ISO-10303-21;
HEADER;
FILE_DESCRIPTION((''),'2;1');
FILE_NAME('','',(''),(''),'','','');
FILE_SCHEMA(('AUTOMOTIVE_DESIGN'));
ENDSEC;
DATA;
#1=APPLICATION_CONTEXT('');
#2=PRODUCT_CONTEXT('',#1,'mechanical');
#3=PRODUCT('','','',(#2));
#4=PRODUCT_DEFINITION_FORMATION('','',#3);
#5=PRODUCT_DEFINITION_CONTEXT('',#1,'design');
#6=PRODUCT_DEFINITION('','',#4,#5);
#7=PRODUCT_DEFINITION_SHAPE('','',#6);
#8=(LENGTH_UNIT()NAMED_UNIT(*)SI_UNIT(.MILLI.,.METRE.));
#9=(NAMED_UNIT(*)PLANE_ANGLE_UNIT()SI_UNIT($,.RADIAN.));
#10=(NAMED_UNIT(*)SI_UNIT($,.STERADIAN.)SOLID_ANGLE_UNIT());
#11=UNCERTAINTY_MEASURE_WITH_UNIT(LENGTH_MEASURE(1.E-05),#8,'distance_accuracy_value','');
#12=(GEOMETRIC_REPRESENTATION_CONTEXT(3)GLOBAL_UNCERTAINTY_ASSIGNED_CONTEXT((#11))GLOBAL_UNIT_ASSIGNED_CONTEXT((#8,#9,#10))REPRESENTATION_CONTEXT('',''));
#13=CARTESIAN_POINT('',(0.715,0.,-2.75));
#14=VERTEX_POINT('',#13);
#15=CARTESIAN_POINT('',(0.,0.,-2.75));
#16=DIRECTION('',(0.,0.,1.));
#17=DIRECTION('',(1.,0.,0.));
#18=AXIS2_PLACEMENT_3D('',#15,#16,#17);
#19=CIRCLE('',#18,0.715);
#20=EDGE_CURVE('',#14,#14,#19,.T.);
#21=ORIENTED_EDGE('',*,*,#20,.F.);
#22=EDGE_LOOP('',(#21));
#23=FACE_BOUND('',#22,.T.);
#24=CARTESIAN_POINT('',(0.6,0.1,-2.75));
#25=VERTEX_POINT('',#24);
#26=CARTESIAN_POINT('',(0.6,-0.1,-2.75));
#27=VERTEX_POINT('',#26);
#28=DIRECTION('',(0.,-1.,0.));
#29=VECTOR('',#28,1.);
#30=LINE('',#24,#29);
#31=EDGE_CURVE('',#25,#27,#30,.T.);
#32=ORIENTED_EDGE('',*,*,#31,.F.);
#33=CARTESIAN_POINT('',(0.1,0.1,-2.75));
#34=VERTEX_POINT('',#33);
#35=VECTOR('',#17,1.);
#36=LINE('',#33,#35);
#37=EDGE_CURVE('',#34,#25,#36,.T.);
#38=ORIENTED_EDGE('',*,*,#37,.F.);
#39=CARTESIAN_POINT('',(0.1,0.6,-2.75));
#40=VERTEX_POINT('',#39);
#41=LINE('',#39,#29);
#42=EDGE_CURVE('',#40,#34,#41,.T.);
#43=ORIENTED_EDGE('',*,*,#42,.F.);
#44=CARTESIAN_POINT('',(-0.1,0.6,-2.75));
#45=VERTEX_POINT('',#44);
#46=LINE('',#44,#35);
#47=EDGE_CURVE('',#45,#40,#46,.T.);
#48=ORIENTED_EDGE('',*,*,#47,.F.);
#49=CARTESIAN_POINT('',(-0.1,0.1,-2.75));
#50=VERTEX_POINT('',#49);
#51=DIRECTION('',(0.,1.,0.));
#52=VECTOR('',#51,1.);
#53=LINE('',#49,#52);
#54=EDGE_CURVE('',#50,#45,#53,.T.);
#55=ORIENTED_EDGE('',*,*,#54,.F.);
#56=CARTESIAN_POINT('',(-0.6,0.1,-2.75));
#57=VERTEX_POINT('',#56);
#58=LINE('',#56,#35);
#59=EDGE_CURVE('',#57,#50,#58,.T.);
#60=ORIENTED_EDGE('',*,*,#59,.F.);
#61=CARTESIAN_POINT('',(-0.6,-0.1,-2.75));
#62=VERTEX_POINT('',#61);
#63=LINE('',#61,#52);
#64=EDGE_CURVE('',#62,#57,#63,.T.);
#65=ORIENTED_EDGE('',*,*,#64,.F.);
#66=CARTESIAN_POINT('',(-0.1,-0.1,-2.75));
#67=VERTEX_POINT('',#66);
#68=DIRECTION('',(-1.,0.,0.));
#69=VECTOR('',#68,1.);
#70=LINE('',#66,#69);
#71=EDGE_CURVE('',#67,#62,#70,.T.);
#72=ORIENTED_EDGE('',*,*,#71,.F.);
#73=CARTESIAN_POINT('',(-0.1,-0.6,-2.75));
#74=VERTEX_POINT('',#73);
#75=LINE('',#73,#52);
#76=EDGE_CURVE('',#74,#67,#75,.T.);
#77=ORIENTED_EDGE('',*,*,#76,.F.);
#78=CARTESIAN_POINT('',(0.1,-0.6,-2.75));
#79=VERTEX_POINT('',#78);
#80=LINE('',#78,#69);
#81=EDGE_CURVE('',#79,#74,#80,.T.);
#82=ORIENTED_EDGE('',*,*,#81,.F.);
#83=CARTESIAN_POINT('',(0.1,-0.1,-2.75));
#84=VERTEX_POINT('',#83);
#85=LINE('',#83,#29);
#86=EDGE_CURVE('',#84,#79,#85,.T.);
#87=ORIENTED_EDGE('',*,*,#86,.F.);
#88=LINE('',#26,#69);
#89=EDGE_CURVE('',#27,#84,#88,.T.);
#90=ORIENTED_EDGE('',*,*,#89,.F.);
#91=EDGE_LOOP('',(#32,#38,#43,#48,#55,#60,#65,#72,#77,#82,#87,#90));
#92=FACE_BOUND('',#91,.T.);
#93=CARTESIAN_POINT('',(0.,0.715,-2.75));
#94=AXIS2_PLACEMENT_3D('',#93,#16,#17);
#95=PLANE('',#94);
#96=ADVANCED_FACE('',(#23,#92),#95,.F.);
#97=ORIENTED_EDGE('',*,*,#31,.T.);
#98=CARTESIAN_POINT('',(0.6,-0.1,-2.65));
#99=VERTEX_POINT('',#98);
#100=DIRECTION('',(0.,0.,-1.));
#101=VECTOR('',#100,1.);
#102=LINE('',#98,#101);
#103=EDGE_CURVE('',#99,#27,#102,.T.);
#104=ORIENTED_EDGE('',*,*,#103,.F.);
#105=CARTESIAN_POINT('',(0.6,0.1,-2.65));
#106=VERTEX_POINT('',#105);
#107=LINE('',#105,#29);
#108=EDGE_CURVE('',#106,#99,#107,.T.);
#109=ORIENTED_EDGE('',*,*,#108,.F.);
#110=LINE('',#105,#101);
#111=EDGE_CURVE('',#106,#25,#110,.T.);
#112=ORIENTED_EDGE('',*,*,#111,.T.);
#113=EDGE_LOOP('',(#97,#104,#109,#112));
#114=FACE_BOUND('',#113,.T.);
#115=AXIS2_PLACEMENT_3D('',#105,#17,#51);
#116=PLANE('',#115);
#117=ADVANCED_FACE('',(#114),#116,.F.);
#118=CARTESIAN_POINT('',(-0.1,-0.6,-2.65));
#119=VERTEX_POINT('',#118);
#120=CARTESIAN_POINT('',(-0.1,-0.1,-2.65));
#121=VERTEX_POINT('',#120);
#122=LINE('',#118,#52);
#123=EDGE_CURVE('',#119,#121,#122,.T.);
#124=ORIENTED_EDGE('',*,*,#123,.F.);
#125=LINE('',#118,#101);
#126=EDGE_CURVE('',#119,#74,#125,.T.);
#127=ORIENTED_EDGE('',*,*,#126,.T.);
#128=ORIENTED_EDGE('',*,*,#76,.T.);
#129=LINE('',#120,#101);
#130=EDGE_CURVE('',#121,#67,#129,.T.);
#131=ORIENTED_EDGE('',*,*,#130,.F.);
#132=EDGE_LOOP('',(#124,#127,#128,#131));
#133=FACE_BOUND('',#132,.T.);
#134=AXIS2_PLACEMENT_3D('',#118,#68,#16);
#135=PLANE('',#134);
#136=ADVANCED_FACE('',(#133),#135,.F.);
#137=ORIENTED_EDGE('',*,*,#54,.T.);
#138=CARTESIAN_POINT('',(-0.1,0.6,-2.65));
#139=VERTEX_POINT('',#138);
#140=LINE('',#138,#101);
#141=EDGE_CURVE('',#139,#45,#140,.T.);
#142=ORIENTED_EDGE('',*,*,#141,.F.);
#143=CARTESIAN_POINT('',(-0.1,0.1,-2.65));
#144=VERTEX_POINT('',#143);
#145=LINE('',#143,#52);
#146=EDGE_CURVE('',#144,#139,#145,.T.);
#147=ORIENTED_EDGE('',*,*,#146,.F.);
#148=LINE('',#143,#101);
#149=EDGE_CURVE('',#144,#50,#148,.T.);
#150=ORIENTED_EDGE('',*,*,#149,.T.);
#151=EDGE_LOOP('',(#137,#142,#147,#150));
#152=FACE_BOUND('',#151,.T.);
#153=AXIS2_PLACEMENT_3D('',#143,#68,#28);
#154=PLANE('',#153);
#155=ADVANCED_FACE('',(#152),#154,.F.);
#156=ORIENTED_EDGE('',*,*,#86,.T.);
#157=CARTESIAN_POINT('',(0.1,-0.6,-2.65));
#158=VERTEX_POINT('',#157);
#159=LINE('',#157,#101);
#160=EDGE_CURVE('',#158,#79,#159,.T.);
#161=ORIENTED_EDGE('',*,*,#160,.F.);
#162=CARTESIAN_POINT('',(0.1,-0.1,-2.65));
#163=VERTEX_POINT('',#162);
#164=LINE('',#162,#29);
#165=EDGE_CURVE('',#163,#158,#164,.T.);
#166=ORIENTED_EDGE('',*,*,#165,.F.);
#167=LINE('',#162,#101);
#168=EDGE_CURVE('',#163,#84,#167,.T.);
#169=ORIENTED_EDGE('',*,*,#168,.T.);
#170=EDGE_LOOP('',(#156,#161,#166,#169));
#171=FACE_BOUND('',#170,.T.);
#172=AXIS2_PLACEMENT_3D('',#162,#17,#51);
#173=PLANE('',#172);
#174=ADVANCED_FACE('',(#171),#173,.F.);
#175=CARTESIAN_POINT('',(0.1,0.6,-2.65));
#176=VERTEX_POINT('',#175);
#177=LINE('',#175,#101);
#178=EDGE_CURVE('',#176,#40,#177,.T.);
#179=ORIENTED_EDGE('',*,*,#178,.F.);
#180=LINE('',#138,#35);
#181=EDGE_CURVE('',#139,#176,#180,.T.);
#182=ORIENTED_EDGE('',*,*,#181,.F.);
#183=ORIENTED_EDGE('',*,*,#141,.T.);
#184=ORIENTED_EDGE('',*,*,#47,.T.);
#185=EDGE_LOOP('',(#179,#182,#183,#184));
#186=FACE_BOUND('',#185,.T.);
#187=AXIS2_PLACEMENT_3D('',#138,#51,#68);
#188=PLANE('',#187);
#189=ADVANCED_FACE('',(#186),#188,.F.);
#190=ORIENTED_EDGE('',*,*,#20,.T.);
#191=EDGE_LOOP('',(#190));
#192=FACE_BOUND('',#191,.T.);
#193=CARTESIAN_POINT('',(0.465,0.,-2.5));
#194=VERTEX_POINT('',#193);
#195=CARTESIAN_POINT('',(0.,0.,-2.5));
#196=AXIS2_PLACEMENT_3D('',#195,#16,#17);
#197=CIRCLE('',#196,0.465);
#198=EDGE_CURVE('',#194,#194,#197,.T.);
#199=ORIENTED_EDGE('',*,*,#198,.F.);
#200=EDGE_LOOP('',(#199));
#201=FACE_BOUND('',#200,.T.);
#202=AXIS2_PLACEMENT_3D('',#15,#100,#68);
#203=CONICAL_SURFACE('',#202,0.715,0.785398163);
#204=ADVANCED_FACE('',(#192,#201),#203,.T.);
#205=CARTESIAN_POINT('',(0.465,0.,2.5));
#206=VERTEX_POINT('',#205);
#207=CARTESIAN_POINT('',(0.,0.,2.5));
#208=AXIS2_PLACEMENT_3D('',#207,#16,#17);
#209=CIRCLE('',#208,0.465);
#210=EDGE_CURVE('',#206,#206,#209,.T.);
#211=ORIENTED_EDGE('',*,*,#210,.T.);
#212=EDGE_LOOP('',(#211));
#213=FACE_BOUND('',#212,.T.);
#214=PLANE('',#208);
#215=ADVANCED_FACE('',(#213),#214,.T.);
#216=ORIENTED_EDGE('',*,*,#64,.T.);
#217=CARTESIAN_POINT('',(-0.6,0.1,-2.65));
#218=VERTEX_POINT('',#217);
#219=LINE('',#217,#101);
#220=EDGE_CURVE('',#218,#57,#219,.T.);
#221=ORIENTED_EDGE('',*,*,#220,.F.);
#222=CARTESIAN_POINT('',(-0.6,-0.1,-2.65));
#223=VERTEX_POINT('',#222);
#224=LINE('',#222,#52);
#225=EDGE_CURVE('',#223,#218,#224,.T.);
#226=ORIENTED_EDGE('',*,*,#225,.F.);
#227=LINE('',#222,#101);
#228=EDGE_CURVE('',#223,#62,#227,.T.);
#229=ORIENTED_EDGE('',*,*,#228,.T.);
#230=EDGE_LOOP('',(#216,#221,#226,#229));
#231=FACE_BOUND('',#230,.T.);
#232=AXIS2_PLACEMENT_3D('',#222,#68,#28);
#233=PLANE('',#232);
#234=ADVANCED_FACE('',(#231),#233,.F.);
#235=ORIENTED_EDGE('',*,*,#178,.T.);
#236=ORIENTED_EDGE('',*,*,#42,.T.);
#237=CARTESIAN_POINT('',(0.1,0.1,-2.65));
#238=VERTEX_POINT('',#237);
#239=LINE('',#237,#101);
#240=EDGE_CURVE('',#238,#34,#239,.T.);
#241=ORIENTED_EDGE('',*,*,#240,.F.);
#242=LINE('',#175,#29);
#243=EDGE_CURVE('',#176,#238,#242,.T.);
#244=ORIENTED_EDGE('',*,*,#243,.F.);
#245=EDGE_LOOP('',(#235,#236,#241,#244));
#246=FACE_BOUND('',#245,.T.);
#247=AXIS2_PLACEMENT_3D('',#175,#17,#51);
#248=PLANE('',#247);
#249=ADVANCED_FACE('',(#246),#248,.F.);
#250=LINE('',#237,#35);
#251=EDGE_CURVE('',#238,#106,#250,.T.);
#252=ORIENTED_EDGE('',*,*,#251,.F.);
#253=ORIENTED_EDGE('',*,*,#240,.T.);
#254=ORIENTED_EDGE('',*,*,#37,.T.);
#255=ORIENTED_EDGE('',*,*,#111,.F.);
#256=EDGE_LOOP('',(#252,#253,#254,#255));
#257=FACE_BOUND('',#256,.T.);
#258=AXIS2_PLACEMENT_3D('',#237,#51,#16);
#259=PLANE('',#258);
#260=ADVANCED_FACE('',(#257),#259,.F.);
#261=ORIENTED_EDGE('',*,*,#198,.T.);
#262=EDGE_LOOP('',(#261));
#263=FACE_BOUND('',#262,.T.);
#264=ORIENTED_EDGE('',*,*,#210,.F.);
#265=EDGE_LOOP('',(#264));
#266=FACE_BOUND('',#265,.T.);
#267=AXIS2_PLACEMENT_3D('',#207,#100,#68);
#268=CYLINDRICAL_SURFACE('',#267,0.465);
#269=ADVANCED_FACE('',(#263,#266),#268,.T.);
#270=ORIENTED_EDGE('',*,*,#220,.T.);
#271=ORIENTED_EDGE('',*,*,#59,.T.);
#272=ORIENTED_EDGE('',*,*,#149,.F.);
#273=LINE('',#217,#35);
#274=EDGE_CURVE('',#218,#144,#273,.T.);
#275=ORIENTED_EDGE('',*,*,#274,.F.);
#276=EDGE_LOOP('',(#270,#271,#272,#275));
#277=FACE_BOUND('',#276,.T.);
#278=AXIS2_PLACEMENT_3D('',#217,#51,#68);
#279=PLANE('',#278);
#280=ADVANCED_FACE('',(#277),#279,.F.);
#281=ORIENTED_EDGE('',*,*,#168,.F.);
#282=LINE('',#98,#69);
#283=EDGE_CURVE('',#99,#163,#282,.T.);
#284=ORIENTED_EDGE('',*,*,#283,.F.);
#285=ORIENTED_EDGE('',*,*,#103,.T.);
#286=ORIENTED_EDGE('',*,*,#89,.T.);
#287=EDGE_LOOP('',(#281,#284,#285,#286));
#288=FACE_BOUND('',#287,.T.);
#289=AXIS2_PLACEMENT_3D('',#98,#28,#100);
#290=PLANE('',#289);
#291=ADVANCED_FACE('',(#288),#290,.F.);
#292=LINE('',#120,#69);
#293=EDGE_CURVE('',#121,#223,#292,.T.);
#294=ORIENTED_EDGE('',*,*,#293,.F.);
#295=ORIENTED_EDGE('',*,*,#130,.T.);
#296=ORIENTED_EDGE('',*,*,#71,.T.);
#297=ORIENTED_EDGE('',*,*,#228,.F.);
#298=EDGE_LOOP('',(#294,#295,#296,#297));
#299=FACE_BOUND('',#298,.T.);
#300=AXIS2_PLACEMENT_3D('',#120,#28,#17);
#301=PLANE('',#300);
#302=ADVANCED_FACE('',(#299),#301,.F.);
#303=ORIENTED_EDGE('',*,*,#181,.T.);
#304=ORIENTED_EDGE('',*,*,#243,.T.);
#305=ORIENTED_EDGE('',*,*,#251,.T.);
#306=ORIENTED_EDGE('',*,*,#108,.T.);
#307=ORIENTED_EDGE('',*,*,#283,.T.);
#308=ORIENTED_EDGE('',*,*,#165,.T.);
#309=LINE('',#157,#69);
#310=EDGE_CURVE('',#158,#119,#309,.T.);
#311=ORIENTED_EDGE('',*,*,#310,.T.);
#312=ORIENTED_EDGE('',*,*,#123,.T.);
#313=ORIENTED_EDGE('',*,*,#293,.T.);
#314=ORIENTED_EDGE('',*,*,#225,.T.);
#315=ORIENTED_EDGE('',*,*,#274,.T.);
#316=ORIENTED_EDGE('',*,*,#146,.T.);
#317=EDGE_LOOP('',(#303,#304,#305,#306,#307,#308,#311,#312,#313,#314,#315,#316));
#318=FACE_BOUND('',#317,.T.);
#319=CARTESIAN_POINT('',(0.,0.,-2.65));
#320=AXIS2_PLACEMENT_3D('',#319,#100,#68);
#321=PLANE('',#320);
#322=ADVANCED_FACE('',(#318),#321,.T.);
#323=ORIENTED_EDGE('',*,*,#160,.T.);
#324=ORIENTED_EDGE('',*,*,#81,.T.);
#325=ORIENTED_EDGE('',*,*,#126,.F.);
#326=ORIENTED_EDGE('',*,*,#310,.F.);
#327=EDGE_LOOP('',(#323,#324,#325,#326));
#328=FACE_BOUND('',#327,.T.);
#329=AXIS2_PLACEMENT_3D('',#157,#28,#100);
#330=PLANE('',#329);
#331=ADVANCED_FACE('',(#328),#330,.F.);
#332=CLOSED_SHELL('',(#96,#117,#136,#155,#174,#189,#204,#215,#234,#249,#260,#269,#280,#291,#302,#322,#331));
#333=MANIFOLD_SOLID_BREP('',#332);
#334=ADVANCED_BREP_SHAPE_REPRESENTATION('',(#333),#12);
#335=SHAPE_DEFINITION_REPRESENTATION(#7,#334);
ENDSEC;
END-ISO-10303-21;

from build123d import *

# Parameters (mm, degrees)
SKETCH1_R           = 0.465
BOSS_EXTRUDE1_DEPTH = 2.5
CUT_EXTRUDE1_DEPTH  = 0.1


with BuildPart() as part:
    # Sketch1 → Boss-Extrude1 (new body, symmetric)
    with BuildSketch(Plane.XY):
        Circle(SKETCH1_R)
    extrude(amount=BOSS_EXTRUDE1_DEPTH, both=True)

    # Sketch2 → Revolve1 (revolve)
    with BuildSketch(Plane(origin=(0, 0, 0), x_dir=(0, 0, -1), z_dir=(1, 0, 0))):
        Polygon((2.75, 0.715), (2.75, 0), (2.5, 0), (2.5, 0.465), align=None)
    revolve(axis=Axis((0, 0, 2.0805), (0, 0, -1)))

    # Sketch3 → Cut-Extrude1 (cut)
    with BuildSketch(Plane(origin=(0, 0, -2.75), x_dir=(-1, 0, 0), z_dir=(0, 0, -1))):
        Polygon((0.1, 0.6), (-0.1, 0.6), (-0.1, 0.1), (-0.6, 0.1), (-0.6, -0.1), (-0.1, -0.1), (-0.1, -0.6), (0.1, -0.6), (0.1, -0.1), (0.6, -0.1), (0.6, 0.1), (0.1, 0.1), align=None)
    extrude(amount=-CUT_EXTRUDE1_DEPTH, mode=Mode.SUBTRACT)


solid = part.part
